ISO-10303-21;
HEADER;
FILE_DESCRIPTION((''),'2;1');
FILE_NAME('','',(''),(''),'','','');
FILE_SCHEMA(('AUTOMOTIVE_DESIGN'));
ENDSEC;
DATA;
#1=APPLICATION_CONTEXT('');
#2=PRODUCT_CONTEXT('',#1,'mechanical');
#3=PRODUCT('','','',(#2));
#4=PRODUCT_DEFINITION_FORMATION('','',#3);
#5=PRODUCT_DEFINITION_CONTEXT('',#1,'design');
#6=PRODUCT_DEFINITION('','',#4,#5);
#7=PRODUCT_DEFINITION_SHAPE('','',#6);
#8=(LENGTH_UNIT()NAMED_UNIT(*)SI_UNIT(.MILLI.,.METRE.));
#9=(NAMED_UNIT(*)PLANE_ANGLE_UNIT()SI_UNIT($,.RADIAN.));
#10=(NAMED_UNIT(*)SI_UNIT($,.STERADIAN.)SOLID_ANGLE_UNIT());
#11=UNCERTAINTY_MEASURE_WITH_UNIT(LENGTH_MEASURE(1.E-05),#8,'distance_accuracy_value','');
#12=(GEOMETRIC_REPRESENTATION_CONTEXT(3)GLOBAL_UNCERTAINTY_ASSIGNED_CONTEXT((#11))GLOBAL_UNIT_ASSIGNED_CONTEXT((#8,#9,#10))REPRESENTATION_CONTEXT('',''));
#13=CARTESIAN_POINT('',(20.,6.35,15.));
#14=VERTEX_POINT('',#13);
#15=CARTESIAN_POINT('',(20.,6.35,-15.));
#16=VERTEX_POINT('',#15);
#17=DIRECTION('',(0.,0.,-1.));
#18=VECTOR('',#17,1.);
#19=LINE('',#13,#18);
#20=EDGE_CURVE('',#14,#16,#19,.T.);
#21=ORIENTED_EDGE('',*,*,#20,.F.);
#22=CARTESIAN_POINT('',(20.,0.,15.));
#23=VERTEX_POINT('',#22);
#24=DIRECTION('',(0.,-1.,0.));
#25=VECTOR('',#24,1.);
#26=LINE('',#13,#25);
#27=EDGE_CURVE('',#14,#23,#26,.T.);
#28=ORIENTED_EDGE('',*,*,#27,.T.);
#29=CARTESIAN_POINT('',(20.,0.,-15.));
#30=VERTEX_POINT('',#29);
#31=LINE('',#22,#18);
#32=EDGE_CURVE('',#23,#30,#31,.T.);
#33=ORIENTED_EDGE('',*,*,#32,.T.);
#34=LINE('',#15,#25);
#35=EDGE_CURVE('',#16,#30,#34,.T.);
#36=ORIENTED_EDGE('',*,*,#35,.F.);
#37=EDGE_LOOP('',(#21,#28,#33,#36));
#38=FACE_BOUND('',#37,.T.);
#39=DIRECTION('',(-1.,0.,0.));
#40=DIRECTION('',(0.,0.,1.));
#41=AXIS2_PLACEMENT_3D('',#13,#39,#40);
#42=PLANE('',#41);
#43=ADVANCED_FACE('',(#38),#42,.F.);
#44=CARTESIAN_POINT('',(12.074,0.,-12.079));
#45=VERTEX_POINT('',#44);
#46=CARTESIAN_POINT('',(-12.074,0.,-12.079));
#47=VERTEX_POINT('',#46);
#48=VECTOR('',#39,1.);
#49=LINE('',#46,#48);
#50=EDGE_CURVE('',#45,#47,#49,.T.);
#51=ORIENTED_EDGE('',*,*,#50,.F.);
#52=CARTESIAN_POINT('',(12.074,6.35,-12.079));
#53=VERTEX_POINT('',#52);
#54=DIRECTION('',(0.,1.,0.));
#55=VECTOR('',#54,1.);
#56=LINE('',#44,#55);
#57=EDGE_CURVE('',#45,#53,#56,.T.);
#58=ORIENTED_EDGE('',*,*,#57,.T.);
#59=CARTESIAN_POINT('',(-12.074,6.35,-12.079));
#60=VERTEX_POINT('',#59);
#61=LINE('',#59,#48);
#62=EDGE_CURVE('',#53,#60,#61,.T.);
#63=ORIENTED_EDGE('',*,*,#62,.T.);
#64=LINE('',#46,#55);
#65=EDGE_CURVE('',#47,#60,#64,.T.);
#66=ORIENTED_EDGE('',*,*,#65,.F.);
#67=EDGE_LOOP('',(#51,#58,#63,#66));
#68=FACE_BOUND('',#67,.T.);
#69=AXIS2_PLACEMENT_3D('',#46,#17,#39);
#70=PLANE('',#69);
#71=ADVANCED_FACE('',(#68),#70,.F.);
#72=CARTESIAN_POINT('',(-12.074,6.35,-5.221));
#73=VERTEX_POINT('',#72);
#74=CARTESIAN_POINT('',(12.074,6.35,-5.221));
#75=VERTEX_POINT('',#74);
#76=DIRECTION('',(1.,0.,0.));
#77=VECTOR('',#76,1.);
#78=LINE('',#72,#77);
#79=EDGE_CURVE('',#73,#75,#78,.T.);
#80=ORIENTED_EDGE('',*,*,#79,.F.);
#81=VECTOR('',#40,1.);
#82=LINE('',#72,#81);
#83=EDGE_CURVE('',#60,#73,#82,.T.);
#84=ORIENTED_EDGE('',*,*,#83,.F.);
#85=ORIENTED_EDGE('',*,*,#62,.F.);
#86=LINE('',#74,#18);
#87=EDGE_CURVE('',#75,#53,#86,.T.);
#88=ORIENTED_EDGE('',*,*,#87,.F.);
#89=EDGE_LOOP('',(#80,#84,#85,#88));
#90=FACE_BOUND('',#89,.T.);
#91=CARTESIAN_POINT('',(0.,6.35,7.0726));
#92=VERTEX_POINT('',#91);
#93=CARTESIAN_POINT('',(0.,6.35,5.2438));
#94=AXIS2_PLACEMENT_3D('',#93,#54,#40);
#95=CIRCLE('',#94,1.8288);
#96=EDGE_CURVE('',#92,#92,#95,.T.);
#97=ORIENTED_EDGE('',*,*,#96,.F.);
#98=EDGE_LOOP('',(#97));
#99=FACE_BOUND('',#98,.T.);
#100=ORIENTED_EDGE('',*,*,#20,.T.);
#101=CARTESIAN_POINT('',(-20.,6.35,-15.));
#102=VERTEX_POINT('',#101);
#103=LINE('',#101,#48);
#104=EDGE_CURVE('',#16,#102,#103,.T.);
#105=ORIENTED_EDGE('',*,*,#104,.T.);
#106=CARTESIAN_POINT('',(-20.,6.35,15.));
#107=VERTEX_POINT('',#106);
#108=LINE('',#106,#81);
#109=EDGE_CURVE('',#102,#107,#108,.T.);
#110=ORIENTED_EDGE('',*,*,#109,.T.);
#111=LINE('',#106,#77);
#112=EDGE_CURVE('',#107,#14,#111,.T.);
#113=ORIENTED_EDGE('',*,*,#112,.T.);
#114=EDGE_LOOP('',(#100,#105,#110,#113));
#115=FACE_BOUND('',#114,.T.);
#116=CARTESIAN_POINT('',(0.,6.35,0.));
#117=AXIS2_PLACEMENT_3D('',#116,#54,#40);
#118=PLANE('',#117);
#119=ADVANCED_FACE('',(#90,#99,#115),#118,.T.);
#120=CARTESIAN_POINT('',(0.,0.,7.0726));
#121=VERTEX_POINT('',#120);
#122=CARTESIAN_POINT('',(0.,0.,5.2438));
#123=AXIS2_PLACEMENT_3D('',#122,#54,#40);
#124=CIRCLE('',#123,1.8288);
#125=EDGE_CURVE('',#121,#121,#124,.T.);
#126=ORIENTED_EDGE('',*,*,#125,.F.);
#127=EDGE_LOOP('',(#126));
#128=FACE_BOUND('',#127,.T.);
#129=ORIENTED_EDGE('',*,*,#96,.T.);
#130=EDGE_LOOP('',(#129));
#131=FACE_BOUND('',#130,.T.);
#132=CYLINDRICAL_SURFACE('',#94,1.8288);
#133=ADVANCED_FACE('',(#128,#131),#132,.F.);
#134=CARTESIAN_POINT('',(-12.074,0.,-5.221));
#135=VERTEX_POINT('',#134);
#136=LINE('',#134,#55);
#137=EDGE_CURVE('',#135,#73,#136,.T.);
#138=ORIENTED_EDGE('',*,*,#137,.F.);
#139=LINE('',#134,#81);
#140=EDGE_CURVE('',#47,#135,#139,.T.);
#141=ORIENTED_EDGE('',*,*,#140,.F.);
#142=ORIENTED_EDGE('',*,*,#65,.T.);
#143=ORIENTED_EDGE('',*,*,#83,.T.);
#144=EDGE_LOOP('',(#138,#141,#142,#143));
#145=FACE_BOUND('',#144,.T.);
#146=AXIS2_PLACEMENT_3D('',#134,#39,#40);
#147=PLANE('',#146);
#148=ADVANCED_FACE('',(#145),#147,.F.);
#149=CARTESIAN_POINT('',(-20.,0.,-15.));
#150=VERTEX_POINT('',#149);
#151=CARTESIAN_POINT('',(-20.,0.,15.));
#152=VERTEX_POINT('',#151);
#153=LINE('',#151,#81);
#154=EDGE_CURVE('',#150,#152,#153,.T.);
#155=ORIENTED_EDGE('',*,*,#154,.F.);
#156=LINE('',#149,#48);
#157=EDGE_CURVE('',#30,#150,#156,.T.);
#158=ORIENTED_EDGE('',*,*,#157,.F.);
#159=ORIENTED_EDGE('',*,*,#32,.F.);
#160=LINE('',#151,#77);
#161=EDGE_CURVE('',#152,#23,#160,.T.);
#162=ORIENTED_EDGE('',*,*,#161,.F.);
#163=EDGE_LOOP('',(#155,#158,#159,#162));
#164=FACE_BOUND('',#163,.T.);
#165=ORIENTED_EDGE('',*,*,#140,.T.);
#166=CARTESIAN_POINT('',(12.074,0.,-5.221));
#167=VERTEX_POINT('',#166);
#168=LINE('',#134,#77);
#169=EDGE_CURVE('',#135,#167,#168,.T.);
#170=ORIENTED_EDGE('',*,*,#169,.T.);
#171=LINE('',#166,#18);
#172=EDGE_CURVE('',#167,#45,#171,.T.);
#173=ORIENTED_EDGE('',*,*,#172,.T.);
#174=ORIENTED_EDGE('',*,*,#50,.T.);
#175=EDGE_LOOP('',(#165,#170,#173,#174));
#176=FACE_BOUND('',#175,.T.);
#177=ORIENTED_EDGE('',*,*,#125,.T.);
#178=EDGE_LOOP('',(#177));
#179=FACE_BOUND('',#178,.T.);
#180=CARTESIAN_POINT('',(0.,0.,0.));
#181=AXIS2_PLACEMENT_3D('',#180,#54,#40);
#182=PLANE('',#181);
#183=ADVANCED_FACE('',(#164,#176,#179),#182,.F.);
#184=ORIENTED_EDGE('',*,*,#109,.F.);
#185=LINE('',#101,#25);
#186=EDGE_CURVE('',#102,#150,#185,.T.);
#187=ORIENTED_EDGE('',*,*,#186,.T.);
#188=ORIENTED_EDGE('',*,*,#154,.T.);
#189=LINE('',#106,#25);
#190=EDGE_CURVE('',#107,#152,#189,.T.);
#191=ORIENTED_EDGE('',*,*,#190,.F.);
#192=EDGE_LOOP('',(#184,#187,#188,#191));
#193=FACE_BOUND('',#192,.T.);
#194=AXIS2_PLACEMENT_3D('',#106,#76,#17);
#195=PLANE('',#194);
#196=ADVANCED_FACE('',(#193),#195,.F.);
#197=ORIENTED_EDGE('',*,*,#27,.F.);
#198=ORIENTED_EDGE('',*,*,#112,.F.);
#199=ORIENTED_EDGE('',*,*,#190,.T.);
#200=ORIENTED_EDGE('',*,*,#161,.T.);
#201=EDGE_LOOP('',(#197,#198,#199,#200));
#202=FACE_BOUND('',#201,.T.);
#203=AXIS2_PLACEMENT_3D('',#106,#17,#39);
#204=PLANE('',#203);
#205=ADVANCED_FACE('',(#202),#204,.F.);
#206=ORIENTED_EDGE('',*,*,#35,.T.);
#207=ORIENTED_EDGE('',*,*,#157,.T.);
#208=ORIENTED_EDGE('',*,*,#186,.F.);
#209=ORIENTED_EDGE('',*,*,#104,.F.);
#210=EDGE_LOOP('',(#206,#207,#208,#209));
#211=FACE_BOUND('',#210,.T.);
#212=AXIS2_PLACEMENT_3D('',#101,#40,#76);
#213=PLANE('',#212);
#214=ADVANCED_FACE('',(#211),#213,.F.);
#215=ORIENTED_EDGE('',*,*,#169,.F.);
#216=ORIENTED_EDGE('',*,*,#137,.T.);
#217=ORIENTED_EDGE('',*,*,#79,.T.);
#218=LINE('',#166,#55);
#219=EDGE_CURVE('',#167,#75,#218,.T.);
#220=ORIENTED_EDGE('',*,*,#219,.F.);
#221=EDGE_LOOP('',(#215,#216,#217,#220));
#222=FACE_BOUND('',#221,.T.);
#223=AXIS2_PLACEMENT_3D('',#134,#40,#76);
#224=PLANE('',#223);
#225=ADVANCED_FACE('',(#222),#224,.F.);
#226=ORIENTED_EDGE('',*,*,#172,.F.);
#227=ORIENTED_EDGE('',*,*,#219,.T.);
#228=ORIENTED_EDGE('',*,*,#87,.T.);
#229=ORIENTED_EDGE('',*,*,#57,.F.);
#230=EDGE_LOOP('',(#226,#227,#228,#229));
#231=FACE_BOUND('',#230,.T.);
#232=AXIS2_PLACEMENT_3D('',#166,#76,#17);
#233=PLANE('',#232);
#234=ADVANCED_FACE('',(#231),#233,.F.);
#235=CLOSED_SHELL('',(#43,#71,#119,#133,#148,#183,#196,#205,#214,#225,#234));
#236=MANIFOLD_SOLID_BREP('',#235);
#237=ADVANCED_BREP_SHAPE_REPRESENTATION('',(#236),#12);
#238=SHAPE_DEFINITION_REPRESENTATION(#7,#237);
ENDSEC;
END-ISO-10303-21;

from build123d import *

# Parameters (mm, degrees)
SKETCH1_W             = 40
SKETCH1_H             = 30
BOSS_EXTRUDE1_DEPTH   = 6.35
SKETCH2_W             = 24.148
SKETCH2_H             = 6.858
CUT_EXTRUDE1_DEPTH    = 7.35
F_6_CLEARANCE_HOLE1_D = 3.6576


with BuildPart() as part:
    # Sketch1 → Boss-Extrude1 (new body)
    with BuildSketch(Plane(origin=(0, 0, 0), x_dir=(1, 0, 0), z_dir=(0, 1, 0))):
        Rectangle(SKETCH1_W, SKETCH1_H)
    extrude(amount=BOSS_EXTRUDE1_DEPTH)

    # Sketch2 → Cut-Extrude1 (cut, through all)
    with BuildSketch(Plane(origin=(0, 6.35, 0), x_dir=(1, 0, 0), z_dir=(0, 1, 0))):
        with Locations((0, 8.65)):
            Rectangle(SKETCH2_W, SKETCH2_H)
    extrude(amount=-CUT_EXTRUDE1_DEPTH, mode=Mode.SUBTRACT)

    # #6 Clearance Hole1 (through all)
    with Locations(Plane(origin=(0, 6.35, 0), x_dir=(1, 0, 0), z_dir=(0, 1, 0))):
        with Locations((0, -5.2438)):
            Hole(F_6_CLEARANCE_HOLE1_D / 2)


solid = part.part
